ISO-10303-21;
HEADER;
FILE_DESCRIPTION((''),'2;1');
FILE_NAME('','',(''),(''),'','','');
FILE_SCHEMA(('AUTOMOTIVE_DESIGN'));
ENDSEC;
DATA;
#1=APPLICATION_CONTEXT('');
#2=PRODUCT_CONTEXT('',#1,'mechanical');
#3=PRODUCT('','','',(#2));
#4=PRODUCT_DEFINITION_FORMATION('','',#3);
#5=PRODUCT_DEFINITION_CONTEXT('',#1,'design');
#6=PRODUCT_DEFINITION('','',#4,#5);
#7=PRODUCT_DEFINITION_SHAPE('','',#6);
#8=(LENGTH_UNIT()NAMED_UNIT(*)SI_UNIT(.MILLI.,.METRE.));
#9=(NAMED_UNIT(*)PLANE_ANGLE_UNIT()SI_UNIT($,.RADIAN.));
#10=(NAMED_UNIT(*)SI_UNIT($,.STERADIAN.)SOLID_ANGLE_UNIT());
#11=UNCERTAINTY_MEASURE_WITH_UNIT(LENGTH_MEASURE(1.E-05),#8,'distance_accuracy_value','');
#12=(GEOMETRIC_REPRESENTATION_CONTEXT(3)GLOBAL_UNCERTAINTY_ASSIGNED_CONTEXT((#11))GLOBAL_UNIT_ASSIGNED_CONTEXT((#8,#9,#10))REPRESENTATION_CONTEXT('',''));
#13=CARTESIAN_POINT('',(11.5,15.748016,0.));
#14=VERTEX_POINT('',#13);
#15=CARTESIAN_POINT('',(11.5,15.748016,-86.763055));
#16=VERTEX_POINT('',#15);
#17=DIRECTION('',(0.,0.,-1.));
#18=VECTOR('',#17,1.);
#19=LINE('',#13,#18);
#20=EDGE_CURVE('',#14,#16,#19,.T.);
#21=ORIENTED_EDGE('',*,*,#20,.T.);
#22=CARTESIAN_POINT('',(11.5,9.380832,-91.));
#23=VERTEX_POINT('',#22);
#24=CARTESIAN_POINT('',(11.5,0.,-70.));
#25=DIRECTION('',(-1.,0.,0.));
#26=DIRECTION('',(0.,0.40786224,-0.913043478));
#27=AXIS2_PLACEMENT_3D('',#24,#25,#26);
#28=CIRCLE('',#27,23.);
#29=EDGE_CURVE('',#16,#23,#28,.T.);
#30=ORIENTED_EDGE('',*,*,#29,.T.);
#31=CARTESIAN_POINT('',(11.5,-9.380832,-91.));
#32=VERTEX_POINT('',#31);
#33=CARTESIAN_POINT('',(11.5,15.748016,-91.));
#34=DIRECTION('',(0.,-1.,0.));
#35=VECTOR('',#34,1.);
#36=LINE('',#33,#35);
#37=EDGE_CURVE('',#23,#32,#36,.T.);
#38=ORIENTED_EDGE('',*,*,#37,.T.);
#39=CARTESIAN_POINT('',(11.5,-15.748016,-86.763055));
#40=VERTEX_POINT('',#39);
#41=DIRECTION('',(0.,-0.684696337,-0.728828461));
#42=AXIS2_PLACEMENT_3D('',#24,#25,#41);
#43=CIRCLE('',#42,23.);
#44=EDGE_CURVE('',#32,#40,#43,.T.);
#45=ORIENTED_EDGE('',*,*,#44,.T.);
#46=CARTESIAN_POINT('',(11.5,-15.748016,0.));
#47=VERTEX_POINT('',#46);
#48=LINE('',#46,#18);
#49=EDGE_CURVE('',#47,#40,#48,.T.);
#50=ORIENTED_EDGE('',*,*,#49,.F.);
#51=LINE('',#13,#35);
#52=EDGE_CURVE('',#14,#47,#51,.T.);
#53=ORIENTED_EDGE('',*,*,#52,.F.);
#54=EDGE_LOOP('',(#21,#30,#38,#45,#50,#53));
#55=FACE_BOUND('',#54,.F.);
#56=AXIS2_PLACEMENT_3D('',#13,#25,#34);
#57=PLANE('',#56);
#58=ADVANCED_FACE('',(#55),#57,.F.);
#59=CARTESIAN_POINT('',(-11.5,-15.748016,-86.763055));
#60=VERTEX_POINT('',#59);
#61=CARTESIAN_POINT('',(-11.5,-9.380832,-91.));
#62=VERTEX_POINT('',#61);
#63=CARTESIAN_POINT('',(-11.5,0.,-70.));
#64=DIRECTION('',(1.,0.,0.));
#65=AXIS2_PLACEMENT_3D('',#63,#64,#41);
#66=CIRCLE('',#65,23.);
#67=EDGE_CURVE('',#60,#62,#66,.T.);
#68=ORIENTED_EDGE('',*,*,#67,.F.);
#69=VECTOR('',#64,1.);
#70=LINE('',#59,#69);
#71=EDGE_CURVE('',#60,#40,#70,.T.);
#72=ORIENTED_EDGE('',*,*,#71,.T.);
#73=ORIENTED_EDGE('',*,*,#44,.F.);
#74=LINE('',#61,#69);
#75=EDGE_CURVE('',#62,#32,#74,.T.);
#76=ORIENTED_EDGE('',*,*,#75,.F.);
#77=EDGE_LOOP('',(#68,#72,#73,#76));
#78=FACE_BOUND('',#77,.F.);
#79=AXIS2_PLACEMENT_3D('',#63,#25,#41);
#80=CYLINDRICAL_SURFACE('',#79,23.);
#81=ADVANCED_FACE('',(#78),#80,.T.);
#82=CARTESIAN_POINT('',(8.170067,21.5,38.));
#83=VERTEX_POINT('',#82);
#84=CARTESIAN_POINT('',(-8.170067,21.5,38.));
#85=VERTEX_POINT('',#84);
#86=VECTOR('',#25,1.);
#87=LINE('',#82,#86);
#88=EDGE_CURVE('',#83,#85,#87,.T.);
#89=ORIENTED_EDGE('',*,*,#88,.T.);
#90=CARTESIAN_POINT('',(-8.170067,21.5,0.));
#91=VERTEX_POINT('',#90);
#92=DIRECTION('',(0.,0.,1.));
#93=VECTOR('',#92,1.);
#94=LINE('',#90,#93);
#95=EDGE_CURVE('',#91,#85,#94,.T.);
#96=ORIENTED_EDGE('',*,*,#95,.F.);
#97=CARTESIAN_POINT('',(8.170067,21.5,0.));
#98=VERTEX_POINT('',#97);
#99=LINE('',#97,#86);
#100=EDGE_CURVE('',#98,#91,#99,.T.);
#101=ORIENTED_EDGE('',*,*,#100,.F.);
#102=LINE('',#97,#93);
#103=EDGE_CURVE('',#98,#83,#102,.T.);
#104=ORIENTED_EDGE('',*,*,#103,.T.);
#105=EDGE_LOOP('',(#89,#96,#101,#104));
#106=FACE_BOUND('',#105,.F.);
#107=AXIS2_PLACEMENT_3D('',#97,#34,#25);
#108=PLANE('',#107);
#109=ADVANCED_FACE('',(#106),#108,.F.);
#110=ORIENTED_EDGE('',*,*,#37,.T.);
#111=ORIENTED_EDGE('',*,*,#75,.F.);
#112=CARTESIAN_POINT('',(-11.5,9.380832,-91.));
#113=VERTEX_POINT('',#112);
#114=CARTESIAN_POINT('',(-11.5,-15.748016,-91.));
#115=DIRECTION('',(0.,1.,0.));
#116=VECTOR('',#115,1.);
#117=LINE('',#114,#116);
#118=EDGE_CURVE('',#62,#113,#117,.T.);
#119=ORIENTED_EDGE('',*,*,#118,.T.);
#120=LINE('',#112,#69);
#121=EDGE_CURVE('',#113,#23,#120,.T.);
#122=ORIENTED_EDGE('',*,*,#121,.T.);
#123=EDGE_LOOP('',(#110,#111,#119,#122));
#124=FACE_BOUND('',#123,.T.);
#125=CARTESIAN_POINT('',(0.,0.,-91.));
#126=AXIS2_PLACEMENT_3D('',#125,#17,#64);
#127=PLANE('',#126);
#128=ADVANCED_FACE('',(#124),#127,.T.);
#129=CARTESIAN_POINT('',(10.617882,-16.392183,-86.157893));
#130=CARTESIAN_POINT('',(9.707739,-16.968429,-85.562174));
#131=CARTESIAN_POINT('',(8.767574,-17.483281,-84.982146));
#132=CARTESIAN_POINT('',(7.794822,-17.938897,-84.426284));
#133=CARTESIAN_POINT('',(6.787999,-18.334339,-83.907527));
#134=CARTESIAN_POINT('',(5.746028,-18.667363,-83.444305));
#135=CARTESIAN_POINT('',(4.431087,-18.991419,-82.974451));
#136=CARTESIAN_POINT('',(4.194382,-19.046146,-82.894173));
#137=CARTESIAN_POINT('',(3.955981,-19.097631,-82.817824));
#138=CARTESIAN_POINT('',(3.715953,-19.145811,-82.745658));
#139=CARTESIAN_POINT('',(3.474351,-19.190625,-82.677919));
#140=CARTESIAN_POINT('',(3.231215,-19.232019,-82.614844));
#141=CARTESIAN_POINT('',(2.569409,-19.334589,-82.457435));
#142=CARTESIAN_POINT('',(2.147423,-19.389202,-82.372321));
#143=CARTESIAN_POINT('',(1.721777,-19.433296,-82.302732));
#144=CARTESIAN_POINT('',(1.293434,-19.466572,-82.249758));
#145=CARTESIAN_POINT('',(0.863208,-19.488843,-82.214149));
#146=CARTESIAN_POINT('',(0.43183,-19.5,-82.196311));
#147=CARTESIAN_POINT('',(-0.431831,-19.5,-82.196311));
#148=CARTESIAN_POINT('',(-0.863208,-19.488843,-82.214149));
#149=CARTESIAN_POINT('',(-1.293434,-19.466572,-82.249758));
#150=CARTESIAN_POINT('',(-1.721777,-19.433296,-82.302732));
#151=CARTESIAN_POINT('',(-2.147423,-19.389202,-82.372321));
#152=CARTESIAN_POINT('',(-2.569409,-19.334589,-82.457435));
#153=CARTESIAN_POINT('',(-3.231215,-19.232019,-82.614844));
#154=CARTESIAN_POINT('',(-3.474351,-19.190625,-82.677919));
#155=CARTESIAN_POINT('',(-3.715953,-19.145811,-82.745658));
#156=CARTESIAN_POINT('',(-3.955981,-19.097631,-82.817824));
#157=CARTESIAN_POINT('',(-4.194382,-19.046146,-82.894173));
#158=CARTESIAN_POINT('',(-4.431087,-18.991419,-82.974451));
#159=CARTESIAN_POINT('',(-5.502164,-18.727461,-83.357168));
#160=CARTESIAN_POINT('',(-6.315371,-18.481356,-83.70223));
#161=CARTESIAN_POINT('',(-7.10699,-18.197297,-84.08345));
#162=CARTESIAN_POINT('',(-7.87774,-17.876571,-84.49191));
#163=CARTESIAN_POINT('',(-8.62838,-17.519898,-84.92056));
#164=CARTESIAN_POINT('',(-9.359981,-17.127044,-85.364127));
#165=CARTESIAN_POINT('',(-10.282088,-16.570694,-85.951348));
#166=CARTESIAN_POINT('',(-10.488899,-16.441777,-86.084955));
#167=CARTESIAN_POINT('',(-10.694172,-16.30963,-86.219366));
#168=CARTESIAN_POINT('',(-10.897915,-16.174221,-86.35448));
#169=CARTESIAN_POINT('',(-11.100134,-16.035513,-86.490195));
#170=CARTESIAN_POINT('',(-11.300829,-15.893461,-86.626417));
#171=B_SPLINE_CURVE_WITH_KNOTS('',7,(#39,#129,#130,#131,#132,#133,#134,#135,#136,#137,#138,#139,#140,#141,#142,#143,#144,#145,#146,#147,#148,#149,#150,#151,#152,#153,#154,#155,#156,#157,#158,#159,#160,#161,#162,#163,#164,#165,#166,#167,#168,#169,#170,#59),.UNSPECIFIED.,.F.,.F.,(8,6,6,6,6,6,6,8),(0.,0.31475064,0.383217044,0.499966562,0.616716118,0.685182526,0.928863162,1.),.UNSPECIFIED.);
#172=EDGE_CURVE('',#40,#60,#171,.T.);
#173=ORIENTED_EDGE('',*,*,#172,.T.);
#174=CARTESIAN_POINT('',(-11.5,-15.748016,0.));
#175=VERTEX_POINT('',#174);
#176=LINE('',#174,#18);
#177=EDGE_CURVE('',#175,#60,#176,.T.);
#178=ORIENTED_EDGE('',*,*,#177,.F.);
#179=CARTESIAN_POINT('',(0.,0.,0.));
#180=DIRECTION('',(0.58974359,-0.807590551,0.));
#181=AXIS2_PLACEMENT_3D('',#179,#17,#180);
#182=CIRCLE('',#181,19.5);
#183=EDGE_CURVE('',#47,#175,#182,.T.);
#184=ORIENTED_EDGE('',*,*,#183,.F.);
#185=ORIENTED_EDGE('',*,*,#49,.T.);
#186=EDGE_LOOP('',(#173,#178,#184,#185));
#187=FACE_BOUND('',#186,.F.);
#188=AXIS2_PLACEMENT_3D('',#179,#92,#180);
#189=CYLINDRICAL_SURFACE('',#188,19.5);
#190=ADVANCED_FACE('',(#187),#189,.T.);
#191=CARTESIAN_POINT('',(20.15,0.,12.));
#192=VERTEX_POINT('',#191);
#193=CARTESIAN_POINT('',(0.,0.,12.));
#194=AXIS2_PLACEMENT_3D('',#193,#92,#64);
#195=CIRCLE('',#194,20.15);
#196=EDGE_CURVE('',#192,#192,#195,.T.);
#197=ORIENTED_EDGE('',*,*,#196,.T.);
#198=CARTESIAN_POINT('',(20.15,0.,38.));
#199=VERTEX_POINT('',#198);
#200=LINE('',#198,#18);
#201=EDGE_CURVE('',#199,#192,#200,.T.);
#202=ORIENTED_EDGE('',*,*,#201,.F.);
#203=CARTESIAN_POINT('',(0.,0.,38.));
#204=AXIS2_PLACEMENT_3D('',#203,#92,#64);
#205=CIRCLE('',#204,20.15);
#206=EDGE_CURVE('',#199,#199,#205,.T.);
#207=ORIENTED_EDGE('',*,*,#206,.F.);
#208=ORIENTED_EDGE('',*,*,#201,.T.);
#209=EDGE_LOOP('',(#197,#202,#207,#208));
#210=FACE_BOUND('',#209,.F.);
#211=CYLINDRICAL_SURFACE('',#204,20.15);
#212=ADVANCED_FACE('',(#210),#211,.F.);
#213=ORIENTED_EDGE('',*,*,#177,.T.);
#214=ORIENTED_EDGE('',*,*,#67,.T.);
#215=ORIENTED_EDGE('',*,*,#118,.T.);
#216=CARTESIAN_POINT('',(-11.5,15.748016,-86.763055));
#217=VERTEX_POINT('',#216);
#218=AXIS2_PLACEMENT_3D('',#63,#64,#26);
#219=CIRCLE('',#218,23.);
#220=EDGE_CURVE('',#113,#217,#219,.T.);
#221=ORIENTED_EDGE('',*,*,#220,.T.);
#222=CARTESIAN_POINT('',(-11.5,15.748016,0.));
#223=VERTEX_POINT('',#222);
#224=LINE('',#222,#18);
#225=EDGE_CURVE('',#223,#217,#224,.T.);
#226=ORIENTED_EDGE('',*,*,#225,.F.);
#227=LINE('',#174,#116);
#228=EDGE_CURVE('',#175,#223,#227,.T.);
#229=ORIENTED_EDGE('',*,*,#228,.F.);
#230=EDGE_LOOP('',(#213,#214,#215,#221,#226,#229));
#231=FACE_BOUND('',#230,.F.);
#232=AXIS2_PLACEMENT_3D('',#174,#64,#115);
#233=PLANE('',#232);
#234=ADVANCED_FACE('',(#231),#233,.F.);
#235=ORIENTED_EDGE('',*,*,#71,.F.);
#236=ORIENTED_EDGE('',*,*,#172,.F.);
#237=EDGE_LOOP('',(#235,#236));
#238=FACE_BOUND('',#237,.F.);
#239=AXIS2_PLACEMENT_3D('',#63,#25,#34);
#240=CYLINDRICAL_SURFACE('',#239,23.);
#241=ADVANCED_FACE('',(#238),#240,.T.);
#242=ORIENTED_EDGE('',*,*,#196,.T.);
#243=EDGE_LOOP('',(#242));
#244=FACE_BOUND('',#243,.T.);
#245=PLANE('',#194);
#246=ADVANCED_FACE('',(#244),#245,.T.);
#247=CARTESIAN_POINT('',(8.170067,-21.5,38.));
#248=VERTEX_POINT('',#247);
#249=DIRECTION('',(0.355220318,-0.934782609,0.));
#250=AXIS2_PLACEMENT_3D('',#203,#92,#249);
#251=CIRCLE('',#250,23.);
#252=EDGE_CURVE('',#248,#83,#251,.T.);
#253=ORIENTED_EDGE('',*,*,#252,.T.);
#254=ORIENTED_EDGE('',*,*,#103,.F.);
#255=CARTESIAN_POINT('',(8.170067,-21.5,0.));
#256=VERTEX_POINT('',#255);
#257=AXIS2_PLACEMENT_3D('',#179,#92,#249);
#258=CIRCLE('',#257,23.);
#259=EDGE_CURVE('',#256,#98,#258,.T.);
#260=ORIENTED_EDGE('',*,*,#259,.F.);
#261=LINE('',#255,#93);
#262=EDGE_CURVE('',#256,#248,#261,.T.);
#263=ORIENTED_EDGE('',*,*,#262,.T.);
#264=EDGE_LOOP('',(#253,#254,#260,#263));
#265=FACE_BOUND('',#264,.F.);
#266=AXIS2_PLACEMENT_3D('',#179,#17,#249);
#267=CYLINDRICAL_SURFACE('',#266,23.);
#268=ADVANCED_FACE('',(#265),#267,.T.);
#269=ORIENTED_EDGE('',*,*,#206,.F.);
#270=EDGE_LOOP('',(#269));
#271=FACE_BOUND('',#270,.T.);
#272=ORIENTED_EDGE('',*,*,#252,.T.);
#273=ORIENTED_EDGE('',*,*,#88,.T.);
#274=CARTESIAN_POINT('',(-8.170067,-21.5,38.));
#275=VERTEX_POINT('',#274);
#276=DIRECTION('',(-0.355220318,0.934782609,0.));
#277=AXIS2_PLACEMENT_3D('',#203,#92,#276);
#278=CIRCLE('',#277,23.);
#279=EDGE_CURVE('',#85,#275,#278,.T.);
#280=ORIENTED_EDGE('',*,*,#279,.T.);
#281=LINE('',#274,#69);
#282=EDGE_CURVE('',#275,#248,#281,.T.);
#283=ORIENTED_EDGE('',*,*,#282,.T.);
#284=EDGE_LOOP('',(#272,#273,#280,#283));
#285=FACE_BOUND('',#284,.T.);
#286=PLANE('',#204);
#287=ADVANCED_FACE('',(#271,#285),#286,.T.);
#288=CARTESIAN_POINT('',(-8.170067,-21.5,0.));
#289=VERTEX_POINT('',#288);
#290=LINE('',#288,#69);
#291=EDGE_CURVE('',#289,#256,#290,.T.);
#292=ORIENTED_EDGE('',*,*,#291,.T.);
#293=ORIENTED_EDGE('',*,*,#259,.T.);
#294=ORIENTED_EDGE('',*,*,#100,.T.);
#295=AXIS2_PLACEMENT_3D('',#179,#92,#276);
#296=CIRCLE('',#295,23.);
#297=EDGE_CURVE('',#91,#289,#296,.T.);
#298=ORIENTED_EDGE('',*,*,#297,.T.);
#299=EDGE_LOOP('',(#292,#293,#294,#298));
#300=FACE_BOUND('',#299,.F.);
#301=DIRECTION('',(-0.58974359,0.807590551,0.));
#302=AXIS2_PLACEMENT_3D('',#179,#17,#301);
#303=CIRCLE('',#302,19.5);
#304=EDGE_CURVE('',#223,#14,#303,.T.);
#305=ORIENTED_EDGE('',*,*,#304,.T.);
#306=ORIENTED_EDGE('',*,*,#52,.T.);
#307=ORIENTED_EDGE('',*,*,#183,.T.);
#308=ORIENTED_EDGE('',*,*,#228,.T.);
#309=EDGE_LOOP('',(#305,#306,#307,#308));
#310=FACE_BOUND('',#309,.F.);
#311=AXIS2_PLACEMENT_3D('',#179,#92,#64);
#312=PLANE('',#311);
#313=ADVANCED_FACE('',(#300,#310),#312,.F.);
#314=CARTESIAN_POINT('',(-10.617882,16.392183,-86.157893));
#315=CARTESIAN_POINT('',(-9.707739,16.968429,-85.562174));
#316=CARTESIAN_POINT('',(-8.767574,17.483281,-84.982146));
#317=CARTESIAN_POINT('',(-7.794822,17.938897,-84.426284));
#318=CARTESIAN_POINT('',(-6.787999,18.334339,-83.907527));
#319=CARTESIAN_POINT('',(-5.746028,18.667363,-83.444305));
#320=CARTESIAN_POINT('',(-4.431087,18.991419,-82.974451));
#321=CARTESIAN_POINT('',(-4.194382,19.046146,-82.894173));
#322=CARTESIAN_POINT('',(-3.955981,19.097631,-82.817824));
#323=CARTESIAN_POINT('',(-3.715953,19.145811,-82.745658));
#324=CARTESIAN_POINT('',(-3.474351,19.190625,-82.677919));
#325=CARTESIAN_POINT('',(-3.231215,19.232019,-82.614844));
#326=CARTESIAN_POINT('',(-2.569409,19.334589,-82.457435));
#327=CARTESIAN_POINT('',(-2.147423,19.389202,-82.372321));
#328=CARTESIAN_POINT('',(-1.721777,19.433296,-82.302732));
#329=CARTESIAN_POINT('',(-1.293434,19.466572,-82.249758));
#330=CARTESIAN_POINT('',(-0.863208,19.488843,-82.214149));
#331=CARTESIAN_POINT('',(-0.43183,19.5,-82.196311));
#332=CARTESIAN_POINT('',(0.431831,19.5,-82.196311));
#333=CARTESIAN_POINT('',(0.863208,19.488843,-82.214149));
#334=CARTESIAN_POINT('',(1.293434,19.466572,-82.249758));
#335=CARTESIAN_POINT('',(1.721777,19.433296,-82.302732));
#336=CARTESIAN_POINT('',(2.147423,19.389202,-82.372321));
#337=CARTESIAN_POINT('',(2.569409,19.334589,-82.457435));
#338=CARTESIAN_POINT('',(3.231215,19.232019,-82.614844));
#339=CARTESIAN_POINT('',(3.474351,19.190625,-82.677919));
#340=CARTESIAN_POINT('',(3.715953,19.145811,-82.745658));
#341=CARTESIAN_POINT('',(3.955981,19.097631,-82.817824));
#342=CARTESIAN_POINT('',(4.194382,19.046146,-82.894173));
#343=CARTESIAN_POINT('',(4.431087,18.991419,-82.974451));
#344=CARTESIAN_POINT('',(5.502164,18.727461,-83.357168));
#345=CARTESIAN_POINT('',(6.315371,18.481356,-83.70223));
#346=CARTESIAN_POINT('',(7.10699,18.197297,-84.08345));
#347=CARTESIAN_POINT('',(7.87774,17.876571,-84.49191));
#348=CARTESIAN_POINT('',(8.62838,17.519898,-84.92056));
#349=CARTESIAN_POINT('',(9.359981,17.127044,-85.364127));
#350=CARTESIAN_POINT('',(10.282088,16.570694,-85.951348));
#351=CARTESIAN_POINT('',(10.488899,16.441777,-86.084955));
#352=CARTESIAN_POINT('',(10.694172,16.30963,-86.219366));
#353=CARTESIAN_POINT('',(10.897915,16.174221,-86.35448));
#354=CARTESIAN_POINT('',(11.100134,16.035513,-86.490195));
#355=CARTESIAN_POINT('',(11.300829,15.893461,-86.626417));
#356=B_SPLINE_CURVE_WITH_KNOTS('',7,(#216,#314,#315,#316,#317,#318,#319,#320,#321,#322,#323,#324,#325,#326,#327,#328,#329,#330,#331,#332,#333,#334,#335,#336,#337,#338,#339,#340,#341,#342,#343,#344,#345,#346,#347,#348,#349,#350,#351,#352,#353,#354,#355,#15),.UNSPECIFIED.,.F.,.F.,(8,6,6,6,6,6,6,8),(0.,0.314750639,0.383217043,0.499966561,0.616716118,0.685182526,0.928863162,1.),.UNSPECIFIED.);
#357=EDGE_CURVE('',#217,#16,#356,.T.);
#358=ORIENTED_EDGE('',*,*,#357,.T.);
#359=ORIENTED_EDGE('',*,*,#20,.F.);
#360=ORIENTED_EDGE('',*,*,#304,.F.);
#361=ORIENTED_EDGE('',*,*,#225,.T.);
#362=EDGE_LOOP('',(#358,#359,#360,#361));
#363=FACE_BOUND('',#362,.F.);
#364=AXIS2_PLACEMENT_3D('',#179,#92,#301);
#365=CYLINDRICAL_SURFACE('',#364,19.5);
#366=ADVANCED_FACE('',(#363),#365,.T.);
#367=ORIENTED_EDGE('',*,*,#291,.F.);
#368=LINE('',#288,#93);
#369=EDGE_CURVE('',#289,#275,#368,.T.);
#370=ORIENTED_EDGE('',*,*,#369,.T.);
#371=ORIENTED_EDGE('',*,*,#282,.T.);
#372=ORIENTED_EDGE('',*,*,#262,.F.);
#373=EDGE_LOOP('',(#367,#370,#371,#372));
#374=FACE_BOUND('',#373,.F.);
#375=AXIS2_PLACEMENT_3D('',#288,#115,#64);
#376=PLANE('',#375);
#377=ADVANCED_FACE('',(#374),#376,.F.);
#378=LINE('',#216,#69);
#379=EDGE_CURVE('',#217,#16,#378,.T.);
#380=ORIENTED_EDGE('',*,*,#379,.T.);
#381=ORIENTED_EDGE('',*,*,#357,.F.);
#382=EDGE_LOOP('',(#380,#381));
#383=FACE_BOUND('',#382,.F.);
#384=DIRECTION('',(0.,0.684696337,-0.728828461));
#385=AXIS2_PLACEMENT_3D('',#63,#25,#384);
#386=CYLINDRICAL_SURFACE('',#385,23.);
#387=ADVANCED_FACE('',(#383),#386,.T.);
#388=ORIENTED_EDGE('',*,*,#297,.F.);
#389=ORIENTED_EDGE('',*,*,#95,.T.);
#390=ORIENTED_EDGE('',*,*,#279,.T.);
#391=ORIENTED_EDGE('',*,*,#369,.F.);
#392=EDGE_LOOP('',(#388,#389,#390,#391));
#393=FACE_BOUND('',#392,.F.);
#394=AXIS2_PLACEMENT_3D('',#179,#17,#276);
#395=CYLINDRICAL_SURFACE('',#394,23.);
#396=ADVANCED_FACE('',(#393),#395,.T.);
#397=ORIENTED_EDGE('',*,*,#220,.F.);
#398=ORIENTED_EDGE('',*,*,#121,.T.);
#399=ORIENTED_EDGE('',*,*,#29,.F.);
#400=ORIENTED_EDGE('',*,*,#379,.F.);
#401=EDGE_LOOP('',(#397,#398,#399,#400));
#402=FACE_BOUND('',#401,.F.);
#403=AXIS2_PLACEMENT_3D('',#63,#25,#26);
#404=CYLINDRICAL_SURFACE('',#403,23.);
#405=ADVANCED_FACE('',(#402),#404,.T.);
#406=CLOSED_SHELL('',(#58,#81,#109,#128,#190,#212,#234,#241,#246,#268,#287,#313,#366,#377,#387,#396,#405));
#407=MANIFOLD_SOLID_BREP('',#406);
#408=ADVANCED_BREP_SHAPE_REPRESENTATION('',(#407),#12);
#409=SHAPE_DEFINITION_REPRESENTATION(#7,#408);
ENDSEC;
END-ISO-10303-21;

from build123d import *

# Parameters (mm, degrees)
F1_DEPTH = 38
F2_R     = 20.15
F3_DEPTH = 26
F5_DEPTH = 91
F7_DEPTH = 34.5010000087


with BuildPart() as f1:
    # F0 (on Top) → F1 (new body)
    with BuildSketch(Plane.XY):
        with BuildLine():
            Line((8.1700673192, 21.5), (-8.1700673192, 21.5))
            ThreePointArc((-8.1700673192, 21.5), (-23, 0), (-8.1700673192, -21.5))
            Line((-8.1700673192, -21.5), (8.1700673192, -21.5))
            ThreePointArc((8.1700673192, -21.5), (23, 0), (8.1700673192, 21.5))
        make_face()
    extrude(amount=F1_DEPTH)

    # F2 (on face) → F3 (cut)
    with BuildSketch(Plane.XY.offset(38)):
        Circle(F2_R)
    extrude(amount=-F3_DEPTH, mode=Mode.SUBTRACT)

    # F4 (on face) → F5 (join)
    with BuildSketch(Plane(origin=(0, 0, 0), x_dir=(1, 0, 0), z_dir=(0, 0, -1))):
        with BuildLine():
            Line((11.4999999936, -15.7480157527), (11.5000000064, 15.7480157434))
            ThreePointArc((11.5000000064, 15.7480157434), (7.9e-09, 19.5), (-11.4999999936, 15.7480157527))
            Line((-11.4999999936, 15.7480157527), (-11.5000000064, -15.7480157434))
            ThreePointArc((-11.5000000064, -15.7480157434), (-7.9e-09, -19.5), (11.4999999936, -15.7480157527))
        make_face()
    extrude(amount=F5_DEPTH)

    # F6 (on face) → F7 (cut, through all)
    with BuildSketch(Plane(origin=(-11.5, -4.6e-09, 0), x_dir=(4e-10, -1, 0), z_dir=(-1, -4e-10, 0))):
        with BuildLine():
            ThreePointArc((-9.3808315196, -91), (-12.7417686292, -89.1480372937), (-15.748015748, -86.7630546142))
            Line((-15.748015748, -86.7630546142), (-15.748015748, -91))
            Line((-15.748015748, -91), (-9.3808315196, -91))
        make_face()
        with BuildLine():
            ThreePointArc((15.748015748, -86.7630546142), (12.7417686292, -89.1480372937), (9.3808315196, -91))
            Line((9.3808315196, -91), (15.748015748, -91))
            Line((15.748015748, -91), (15.748015748, -86.7630546142))
        make_face()
        with BuildLine():
            ThreePointArc((-15.748015748, -86.7630546142), (-21.1092913453, -79.1322406285), (-23, -70))
            Line((-23, -70), (-29.5417029411, -96.2313264608))
            Line((-29.5417029411, -96.2313264608), (26.6386214644, -96.2313264608))
            Line((26.6386214644, -96.2313264608), (23, -70))
            ThreePointArc((23, -70), (21.1092913453, -79.1322406285), (15.748015748, -86.7630546142))
            Line((15.748015748, -86.7630546142), (15.748015748, -91))
            Line((15.748015748, -91), (9.3808315196, -91))
            ThreePointArc((9.3808315196, -91), (0, -93), (-9.3808315196, -91))
            Line((-9.3808315196, -91), (-15.748015748, -91))
            Line((-15.748015748, -91), (-15.748015748, -86.7630546142))
        make_face()
    extrude(amount=-F7_DEPTH, mode=Mode.SUBTRACT)


solid = f1.part
